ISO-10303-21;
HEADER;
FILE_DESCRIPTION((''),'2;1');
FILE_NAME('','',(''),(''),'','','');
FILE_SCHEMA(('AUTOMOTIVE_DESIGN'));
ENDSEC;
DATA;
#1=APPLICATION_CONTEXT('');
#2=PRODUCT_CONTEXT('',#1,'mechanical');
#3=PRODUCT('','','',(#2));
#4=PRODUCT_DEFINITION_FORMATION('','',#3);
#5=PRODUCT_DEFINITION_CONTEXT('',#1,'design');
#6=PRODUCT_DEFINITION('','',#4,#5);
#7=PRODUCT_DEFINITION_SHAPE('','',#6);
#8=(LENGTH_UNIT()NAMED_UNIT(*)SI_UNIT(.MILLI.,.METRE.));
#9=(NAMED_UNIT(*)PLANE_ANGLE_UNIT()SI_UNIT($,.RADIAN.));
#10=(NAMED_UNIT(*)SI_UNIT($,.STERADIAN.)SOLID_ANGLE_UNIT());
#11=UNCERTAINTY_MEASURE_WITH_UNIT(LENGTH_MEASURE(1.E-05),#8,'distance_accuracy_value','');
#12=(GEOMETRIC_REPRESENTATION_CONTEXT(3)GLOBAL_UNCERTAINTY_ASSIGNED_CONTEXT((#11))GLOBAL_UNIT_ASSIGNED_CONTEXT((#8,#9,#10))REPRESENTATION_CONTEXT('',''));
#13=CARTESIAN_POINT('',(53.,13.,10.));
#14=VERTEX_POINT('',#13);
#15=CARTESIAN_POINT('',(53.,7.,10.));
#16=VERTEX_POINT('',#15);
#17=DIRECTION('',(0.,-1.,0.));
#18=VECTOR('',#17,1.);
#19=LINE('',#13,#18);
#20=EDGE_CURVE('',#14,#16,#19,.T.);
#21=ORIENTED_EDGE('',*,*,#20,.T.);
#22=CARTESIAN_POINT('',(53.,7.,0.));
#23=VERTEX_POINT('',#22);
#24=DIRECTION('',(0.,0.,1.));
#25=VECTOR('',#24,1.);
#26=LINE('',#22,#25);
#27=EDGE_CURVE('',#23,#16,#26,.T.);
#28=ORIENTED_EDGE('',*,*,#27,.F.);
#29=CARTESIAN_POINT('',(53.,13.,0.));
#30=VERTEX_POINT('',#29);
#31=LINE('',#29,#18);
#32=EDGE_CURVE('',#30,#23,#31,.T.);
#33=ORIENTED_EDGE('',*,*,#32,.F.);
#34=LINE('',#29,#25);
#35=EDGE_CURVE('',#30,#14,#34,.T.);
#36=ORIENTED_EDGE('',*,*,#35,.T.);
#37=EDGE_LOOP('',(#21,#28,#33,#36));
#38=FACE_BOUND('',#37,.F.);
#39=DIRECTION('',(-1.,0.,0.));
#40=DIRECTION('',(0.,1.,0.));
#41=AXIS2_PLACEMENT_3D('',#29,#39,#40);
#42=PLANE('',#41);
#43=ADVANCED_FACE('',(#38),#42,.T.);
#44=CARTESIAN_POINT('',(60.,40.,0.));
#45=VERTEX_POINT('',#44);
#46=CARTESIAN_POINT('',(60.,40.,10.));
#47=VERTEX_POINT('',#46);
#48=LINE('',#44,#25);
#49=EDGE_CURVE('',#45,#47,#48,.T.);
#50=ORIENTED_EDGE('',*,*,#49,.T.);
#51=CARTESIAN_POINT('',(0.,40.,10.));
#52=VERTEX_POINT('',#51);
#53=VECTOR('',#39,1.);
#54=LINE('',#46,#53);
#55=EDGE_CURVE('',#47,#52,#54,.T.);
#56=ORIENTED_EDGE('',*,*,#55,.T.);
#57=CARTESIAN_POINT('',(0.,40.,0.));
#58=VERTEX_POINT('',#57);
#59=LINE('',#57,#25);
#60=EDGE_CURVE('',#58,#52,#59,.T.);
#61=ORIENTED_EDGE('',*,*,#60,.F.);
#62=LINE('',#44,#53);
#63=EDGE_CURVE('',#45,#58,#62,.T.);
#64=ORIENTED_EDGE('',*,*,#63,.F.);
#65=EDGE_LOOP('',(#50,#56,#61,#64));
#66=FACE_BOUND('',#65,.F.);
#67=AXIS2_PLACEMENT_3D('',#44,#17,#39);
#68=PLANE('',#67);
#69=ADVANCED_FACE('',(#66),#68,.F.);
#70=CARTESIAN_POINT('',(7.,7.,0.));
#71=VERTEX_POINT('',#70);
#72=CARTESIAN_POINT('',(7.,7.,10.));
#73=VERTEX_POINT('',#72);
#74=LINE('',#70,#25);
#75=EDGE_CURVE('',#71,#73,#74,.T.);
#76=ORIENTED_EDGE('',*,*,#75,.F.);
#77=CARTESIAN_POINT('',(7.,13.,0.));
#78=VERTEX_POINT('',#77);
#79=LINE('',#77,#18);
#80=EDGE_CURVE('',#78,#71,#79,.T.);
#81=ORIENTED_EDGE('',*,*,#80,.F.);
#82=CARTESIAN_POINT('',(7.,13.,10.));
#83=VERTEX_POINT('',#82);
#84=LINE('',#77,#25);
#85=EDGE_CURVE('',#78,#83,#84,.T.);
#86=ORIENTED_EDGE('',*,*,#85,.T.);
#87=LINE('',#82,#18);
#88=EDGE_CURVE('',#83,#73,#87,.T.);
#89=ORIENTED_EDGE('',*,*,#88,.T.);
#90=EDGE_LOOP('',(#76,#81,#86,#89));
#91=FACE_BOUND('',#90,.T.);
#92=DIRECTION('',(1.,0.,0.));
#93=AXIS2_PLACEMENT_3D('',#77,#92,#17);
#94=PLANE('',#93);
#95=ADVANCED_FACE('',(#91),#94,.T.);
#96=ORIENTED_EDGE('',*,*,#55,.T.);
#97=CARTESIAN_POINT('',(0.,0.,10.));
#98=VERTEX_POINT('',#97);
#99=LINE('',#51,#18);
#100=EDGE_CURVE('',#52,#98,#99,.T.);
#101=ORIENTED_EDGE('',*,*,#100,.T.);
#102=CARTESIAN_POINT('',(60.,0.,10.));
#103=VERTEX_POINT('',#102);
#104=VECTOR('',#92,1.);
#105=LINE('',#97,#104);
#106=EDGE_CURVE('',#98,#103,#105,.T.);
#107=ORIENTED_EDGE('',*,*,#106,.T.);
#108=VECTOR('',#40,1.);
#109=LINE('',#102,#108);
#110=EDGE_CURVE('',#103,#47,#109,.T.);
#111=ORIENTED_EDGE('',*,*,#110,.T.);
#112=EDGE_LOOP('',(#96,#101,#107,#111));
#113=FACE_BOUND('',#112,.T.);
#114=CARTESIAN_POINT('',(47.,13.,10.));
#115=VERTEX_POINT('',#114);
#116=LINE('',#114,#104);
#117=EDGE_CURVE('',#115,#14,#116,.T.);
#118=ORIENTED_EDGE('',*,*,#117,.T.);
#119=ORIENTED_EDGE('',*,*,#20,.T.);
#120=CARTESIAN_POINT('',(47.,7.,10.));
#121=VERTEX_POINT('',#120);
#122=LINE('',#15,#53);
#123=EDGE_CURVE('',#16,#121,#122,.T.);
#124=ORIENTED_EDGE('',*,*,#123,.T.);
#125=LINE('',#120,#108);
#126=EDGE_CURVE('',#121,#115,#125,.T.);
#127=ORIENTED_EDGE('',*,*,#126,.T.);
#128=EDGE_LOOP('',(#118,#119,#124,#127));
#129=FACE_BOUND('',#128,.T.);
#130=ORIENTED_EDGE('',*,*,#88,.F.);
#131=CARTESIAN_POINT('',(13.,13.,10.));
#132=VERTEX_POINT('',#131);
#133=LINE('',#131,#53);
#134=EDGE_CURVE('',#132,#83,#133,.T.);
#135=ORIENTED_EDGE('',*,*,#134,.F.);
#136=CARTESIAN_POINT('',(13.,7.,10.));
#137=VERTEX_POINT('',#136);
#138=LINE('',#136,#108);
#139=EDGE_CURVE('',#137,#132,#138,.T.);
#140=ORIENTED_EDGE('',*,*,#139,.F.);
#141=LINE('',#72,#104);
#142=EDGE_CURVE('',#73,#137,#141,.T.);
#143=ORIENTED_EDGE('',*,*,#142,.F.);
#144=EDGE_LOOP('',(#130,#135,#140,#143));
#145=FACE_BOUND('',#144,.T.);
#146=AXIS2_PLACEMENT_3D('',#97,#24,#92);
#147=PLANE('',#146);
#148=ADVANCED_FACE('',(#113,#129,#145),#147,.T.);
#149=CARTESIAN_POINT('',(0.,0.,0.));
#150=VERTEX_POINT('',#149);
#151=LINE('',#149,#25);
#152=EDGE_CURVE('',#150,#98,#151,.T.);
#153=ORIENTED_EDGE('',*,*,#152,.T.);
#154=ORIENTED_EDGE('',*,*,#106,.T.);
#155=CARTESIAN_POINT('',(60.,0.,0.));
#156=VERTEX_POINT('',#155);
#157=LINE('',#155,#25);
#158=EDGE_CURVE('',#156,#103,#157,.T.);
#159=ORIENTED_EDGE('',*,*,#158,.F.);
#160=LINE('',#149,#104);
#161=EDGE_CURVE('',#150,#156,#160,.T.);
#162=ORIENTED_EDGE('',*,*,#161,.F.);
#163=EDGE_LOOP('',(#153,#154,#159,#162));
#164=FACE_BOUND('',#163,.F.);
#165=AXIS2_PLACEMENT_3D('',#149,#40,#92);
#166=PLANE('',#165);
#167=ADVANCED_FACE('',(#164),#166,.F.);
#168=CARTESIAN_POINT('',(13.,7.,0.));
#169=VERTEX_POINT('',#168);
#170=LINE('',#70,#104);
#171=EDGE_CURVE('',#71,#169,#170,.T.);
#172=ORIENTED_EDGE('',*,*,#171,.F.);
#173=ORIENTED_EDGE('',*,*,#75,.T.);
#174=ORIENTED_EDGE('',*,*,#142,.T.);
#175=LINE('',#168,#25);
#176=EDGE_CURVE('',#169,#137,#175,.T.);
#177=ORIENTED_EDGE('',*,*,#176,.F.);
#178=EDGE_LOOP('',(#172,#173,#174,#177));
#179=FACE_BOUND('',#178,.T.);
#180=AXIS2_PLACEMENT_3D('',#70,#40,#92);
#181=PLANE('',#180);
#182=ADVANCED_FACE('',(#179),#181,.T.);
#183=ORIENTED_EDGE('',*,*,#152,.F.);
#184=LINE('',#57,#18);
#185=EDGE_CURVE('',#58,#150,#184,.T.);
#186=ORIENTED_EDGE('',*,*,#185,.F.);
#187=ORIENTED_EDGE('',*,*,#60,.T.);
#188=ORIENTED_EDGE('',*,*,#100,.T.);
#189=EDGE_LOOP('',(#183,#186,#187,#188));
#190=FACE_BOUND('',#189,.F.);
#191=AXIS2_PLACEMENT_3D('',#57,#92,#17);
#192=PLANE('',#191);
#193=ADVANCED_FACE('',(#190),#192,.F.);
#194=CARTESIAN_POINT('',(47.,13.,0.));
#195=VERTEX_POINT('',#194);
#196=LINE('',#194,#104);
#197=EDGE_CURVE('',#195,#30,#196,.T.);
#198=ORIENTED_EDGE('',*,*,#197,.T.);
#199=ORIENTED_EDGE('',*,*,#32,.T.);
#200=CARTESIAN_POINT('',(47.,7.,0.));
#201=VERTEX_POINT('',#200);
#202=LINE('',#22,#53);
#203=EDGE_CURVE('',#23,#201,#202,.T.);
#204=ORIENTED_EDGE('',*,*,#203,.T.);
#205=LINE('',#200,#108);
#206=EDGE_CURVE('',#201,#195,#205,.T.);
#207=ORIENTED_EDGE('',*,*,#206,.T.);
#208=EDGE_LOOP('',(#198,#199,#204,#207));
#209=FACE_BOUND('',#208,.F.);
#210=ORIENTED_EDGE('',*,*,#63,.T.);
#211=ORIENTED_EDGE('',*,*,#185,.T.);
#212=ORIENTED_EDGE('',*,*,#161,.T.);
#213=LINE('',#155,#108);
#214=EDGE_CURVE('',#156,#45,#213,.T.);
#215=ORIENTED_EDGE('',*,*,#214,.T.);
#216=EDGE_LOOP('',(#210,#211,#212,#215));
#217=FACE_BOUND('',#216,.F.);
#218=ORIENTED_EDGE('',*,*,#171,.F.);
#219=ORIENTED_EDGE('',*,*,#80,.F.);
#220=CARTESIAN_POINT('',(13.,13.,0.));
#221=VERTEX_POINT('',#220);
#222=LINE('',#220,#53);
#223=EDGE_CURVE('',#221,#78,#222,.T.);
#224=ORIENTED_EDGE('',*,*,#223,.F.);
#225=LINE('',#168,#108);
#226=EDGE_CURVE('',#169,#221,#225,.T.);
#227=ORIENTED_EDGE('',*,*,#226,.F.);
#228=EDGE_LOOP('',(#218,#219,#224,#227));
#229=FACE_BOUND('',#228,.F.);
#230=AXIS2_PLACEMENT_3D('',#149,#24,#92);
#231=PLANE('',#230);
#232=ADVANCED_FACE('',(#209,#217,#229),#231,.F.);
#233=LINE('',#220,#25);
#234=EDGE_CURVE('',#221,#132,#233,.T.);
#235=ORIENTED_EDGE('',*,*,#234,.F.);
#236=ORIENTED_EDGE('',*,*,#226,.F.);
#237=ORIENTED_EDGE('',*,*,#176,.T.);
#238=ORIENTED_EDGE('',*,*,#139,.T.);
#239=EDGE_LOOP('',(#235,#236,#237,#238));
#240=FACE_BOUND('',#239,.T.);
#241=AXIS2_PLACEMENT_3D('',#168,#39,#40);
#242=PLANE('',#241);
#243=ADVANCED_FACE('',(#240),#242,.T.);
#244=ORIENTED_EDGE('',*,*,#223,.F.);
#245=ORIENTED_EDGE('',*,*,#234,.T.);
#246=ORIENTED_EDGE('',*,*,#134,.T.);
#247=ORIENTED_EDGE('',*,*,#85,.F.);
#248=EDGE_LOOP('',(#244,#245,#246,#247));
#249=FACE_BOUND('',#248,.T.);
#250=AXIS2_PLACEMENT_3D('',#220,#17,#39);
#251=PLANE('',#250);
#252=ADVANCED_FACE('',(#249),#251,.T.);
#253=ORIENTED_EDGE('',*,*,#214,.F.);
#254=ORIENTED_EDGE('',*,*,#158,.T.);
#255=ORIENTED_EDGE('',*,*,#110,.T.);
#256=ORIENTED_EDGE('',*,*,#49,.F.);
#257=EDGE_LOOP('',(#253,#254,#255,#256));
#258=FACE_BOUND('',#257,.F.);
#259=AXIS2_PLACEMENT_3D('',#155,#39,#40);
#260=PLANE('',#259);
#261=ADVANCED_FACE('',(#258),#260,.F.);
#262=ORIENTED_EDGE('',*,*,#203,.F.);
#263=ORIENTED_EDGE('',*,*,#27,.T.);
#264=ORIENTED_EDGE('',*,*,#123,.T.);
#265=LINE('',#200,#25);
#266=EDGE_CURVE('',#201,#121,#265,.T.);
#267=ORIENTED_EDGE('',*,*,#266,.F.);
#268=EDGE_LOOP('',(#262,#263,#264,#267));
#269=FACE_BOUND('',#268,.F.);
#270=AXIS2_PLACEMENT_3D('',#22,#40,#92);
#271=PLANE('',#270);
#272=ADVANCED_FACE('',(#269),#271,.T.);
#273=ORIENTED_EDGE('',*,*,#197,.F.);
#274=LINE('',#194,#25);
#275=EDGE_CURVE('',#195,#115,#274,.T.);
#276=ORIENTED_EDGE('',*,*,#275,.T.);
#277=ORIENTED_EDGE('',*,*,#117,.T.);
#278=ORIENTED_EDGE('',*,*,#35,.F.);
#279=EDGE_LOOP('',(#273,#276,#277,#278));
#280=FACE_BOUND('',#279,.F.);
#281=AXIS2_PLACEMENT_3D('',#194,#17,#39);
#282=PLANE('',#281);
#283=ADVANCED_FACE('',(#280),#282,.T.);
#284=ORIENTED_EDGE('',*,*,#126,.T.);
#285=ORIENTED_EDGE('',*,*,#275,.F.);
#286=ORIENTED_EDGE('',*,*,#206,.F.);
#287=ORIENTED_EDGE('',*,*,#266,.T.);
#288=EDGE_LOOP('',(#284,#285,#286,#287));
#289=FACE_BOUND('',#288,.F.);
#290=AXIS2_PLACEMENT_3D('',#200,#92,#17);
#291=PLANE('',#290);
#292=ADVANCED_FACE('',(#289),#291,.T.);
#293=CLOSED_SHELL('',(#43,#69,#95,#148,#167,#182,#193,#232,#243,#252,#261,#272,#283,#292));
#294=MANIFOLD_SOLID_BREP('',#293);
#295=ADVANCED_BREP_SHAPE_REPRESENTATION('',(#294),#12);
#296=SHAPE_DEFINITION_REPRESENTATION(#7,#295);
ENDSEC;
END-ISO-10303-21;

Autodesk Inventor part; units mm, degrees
ref_plane "XZ Plane" through (0, 0, 0) normal (0, 1, 0) x (-1, 0, 0)
ref_plane "XY Plane" through (0, 0, 0) normal (0, 0, 1) x (1, 0, 0)
sketch "Sketch1" plane through (0, 0, 0) normal (0, 0, 1) x (1, 0, 0)
  line L0 (0, 0) -> (60, 0)
  line L1 (60, 0) -> (60, 40)
  line L2 (60, 40) -> (0, 40)
  line L3 (0, 40) -> (0, 0)
extrude "Extrusion1" add sketch "Sketch1" along normal blind 10
sketch "Sketch2" plane through (0, 0, 0) normal (0, 0, 1) x (1, 0, 0)
  line L0 (7, 7) -> (13, 7)
  line L1 (13, 7) -> (13, 13)
  line L2 (13, 13) -> (7, 13)
  line L3 (7, 13) -> (7, 7)
extrude "Extrusion2" cut sketch "Sketch2" along normal blind 10
ref_plane "Work Plane1" through (30, 0, 0) normal (1, 0, 0) x (0, 1, 0)
mirror "Mirror1" about plane through (30, 0, 0) normal (1, 0, 0) of "Extrusion2"
properties part number "23_pocket_mirror"
